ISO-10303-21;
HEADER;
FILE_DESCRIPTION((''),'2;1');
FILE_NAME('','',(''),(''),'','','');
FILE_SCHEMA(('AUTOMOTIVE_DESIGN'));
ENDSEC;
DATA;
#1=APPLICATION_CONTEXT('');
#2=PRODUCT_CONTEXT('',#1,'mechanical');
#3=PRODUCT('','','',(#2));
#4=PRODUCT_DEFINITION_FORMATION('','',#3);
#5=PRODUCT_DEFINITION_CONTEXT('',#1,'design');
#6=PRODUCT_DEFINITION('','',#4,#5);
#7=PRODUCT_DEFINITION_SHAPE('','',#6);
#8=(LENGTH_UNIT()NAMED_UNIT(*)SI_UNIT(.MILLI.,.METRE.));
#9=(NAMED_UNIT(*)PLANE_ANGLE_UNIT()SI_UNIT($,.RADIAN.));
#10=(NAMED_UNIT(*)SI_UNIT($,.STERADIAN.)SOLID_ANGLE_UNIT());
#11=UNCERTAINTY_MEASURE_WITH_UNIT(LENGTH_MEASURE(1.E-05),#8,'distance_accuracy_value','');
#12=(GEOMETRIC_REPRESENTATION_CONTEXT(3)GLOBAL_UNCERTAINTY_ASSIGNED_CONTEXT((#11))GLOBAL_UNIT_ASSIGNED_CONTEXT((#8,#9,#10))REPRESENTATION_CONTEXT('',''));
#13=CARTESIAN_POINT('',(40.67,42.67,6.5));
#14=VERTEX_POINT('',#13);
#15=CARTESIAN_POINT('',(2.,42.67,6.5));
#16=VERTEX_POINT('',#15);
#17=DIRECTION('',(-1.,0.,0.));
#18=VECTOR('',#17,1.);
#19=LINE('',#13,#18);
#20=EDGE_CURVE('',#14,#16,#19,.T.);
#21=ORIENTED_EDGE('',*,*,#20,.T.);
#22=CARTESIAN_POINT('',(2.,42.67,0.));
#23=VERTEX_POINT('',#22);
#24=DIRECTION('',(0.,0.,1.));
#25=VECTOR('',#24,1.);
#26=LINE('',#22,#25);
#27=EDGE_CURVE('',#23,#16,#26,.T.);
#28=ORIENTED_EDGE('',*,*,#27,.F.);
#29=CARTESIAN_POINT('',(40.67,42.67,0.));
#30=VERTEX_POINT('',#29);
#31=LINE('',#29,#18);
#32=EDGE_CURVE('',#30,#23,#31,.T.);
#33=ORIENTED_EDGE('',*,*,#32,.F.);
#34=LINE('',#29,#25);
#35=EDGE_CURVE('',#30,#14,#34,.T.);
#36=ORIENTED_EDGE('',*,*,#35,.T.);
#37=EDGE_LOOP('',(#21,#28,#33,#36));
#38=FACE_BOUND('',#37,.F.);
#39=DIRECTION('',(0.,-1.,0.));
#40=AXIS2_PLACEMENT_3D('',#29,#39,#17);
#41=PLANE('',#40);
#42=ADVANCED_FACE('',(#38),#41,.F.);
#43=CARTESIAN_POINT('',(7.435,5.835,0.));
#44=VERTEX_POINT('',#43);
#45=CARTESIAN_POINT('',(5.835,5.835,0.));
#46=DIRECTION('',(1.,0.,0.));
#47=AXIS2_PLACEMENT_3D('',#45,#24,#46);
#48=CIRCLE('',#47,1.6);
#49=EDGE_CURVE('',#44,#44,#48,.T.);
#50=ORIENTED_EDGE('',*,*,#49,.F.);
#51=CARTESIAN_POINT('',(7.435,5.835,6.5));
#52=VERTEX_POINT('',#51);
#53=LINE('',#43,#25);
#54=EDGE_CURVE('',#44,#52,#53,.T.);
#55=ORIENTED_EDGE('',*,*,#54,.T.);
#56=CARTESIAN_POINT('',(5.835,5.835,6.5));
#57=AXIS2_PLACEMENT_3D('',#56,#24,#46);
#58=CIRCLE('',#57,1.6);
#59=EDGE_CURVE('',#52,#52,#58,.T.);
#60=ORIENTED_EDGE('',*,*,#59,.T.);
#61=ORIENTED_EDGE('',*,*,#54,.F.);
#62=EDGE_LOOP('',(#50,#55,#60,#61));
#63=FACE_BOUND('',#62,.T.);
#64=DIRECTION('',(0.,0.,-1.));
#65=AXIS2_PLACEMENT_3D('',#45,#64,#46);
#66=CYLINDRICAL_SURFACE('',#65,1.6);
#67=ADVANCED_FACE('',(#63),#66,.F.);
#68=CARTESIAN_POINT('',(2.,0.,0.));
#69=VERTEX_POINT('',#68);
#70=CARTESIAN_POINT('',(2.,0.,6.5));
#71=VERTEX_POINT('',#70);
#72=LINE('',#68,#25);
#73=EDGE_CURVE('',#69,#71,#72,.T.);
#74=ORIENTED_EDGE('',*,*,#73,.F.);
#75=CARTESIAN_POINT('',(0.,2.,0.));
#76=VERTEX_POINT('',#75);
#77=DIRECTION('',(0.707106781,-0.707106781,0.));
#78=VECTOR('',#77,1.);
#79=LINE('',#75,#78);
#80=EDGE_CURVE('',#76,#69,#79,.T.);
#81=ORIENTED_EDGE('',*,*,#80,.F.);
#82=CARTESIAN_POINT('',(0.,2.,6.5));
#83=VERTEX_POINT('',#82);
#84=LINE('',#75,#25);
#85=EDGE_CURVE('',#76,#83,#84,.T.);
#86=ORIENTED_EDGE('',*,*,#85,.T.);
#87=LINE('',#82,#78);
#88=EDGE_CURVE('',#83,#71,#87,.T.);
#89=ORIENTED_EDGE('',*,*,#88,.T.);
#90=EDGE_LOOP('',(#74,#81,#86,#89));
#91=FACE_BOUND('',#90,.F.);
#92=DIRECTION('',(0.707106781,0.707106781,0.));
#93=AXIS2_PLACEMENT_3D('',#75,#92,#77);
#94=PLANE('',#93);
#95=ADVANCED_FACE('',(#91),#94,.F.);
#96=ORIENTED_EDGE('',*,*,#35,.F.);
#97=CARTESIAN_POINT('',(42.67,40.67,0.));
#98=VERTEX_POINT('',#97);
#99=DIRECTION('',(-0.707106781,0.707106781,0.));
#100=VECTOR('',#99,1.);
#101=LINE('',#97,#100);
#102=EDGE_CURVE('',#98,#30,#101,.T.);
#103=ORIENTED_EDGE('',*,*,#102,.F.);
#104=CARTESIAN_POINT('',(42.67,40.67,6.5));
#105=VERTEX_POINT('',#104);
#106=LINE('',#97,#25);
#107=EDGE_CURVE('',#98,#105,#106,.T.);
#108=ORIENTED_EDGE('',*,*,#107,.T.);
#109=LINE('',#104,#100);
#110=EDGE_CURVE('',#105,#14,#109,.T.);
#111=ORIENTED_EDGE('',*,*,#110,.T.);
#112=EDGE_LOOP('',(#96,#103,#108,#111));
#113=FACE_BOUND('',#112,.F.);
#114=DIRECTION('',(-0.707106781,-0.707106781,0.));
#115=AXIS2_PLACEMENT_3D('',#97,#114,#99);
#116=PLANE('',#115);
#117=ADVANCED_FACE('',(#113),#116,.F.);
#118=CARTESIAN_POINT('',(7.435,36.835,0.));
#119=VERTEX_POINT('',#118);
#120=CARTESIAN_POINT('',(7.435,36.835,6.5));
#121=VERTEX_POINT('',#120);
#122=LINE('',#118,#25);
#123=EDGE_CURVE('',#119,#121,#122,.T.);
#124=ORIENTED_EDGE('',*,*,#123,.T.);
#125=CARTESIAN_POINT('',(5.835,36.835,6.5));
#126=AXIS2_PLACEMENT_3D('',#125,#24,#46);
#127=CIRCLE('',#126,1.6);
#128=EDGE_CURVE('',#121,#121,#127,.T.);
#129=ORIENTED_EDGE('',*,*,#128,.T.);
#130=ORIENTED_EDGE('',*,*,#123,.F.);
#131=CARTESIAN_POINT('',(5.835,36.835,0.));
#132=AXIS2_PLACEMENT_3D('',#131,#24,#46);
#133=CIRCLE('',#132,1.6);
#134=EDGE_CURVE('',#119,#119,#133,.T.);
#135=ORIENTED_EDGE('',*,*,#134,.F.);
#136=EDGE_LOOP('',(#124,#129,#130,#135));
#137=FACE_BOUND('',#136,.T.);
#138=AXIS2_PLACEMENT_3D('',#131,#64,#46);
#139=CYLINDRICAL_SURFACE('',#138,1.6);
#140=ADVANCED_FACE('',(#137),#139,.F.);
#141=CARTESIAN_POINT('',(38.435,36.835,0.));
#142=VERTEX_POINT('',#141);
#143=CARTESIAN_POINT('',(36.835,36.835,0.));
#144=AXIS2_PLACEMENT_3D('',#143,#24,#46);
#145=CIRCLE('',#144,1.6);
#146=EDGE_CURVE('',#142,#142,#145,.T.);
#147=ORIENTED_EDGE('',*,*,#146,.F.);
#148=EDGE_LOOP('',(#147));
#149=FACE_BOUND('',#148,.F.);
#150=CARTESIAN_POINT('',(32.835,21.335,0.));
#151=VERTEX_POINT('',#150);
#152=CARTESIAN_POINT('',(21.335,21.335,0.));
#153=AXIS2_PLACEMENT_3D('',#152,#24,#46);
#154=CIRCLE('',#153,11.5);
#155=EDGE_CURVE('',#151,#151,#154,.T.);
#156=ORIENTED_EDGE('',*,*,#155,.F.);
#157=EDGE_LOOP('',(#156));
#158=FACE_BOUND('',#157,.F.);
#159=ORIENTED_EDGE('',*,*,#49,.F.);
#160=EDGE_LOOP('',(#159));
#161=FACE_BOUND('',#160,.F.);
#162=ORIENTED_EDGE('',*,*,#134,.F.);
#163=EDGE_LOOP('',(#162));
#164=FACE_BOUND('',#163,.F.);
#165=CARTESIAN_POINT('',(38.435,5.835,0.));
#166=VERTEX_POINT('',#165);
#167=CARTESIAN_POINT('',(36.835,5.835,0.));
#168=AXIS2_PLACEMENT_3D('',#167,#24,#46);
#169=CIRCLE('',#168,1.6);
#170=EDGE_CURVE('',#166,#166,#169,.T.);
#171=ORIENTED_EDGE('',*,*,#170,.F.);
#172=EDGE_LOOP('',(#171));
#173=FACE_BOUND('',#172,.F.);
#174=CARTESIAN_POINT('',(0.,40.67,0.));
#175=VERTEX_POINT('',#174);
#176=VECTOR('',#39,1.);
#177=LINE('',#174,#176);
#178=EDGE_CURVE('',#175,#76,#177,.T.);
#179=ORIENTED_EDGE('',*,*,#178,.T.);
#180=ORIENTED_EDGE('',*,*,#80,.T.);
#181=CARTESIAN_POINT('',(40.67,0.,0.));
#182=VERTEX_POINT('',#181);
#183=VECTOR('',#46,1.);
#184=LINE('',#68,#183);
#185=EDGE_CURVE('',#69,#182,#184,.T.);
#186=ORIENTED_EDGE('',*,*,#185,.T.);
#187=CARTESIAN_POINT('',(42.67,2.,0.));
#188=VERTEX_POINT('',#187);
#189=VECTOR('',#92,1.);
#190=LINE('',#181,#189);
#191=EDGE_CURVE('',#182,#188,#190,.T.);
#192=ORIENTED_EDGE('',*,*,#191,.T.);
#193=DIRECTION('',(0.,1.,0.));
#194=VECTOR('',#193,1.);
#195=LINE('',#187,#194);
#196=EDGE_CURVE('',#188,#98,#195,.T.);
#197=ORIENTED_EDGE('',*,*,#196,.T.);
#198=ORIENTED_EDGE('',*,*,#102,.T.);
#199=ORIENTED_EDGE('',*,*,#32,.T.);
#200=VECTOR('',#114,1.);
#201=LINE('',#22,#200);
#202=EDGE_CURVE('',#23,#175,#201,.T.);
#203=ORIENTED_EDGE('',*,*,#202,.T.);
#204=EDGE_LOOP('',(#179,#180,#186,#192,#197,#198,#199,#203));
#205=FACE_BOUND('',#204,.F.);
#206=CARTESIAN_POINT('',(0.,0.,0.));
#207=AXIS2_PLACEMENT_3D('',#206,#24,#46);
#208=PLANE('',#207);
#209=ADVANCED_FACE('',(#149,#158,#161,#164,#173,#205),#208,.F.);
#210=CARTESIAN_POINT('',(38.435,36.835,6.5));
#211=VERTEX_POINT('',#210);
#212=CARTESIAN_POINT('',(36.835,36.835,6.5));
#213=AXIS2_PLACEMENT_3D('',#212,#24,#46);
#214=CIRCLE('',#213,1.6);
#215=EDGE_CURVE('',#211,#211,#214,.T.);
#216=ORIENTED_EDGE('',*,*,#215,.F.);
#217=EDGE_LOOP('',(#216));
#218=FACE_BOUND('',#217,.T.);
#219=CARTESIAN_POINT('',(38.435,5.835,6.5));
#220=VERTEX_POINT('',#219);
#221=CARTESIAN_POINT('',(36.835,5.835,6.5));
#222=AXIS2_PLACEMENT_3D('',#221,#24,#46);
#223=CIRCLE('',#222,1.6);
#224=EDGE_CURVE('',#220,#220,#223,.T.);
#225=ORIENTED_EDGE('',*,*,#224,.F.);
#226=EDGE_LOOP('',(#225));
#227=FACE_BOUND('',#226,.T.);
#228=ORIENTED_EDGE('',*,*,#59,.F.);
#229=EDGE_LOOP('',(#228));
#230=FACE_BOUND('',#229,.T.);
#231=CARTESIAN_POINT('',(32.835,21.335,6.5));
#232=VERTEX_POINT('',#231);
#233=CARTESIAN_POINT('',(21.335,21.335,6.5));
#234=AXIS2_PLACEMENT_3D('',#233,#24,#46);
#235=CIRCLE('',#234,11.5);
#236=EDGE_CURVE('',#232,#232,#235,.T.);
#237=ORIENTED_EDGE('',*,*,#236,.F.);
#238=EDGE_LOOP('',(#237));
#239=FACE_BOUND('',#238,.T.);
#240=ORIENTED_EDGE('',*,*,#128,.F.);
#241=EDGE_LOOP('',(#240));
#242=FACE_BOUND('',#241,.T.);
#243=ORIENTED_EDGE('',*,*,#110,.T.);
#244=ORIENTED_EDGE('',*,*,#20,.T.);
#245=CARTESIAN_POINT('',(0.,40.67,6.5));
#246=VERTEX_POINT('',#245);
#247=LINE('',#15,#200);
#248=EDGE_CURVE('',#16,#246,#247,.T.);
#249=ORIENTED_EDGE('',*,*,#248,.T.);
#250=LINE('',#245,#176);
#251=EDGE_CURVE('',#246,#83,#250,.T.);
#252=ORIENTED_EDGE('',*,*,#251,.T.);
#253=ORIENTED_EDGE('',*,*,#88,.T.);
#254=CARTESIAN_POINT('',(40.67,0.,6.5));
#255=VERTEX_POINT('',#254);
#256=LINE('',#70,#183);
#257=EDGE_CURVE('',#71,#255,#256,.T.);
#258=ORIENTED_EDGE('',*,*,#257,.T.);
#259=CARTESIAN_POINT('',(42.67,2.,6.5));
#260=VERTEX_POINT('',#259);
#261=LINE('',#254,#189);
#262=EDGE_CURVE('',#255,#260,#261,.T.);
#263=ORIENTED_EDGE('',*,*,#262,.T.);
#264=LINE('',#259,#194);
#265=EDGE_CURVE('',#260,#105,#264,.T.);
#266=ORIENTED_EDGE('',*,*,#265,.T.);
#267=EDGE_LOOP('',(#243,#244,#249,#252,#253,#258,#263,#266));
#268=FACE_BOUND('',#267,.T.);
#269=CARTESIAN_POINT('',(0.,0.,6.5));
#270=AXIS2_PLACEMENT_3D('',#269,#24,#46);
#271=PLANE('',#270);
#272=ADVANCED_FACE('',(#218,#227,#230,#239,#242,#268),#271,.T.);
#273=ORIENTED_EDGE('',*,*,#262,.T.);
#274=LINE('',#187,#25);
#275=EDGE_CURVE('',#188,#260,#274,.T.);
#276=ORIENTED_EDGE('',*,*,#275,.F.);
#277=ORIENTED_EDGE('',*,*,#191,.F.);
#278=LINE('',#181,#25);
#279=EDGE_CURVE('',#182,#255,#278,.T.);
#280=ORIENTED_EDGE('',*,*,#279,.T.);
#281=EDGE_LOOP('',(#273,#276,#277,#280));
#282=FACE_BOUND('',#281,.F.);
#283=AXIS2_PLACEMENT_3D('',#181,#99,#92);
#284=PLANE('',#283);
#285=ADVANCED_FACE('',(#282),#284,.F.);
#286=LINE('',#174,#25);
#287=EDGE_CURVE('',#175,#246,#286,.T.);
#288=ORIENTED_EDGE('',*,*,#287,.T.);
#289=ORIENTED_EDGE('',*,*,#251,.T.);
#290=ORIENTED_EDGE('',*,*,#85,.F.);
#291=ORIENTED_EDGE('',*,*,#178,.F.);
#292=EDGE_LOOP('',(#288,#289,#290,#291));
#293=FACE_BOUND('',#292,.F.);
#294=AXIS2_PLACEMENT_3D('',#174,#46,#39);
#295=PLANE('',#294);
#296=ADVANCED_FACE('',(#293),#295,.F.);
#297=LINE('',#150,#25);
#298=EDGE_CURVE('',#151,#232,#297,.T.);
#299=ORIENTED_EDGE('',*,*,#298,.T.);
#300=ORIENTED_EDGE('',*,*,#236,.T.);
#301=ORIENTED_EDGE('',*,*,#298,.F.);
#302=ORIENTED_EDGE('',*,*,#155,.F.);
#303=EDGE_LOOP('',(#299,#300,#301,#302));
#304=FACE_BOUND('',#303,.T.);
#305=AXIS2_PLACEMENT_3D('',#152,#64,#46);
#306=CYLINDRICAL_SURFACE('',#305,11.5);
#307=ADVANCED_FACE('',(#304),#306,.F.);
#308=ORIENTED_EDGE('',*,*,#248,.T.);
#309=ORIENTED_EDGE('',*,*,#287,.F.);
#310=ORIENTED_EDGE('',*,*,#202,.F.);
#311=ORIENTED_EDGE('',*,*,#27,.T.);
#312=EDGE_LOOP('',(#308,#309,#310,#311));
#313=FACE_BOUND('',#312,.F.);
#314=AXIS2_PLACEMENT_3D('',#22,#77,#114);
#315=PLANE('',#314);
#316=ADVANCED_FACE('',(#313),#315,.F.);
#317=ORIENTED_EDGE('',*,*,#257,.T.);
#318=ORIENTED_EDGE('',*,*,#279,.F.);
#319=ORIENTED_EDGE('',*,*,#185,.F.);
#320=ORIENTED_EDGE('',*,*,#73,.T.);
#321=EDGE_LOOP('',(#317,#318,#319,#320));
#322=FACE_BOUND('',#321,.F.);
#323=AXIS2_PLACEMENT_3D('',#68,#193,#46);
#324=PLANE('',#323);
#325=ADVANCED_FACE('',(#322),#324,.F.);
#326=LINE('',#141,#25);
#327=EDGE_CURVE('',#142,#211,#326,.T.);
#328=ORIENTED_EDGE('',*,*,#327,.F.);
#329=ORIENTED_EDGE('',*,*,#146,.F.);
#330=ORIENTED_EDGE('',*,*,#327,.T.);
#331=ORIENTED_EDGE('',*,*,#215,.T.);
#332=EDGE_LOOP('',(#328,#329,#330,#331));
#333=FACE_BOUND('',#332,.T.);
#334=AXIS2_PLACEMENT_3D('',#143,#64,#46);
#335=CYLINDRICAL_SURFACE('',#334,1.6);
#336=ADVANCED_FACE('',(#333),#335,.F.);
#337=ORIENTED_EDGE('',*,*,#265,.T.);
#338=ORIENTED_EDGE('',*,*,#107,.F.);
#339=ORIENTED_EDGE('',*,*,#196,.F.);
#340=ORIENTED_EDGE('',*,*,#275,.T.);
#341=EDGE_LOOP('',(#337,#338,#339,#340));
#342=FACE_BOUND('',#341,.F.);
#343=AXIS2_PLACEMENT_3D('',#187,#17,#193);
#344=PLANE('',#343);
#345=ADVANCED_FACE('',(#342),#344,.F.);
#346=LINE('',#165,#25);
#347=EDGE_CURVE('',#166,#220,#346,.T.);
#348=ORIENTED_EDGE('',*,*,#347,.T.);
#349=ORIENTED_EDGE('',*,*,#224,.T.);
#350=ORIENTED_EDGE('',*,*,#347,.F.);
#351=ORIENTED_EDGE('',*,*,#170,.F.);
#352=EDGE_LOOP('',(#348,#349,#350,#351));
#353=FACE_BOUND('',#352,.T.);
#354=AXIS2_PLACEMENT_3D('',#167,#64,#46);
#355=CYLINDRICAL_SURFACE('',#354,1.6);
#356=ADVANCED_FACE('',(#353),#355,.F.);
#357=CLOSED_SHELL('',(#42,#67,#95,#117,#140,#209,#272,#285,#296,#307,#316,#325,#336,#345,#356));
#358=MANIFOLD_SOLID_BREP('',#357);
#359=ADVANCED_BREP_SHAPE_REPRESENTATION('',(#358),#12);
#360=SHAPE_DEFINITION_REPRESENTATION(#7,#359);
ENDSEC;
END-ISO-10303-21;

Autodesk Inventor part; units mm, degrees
ref_plane "YZ Plane" through (0, 0, 0) normal (1, 0, 0) x (0, 1, 0)
ref_plane "XZ Plane" through (0, 0, 0) normal (0, 1, 0) x (-1, 0, 0)
ref_plane "XY Plane" through (0, 0, 0) normal (0, 0, 1) x (1, 0, 0)
sketch "Sketch1" plane through (0, 0, 0) normal (0, 0, 1) x (1, 0, 0)
  line L0 (2, 0) -> (40.67, 0)
  line L1 (42.67, 2) -> (42.67, 40.67)
  line L2 (40.67, 42.67) -> (2, 42.67)
  line L3 (0, 40.67) -> (0, 2)
  line L4 (2, 42.67) -> (0, 40.67)
  line L5 (0, 2) -> (2, 0)
  line L6 (40.67, 0) -> (42.67, 2)
  line L7 (42.67, 40.67) -> (40.67, 42.67)
  circle A0 centre (21.335, 21.335) radius 11.5
  line L8 (5.835, 36.835) -> (36.835, 36.835) construction
  line L9 (36.835, 36.835) -> (36.835, 5.835) construction
  line L10 (36.835, 5.835) -> (5.835, 5.835) construction
  line L11 (5.835, 5.835) -> (5.835, 36.835) construction
  circle A1 centre (5.835, 36.835) radius 1.6
  circle A2 centre (36.835, 36.835) radius 1.6
  circle A3 centre (36.835, 5.835) radius 1.6
  circle A4 centre (5.835, 5.835) radius 1.6
  point P0 (0, 0)
  point P1 (42.67, 42.67)
  point P2 (42.67, 0)
  point P3 (0, 42.67)
  point P4 (42.67, 21.335)
  point P5 (21.335, 42.67)
  point P6 (21.335, 36.835)
  point P7 (36.835, 21.335)
  dimension "d0" = 2
  dimension "d1" = 2
  dimension "d2" = 2
  dimension "d3" = 2
  dimension "d4" = 2
  dimension "d5" = 2
  dimension "d6" = 2
  dimension "d7" = 2
  dimension "d8" = 42.67
  dimension "d9" = 42.67
  dimension "d10" = 23
  dimension "d11" = 31
  dimension "d12" = 31
  dimension "d13" = 3.2
  dimension "d14" = 3.2
  dimension "d15" = 3.2
  dimension "d16" = 3.2
extrude "Extrusion1" add sketch "Sketch1" along normal blind 6.5
equation "\"d1\" = d0"
equation "\"d2\" = d0"
equation "\"d3\" = d2"
equation "\"d4\" = d0"
equation "\"d5\" = d4"
equation "\"d6\" = d0"
equation "\"d7\" = d6"
properties part number "x_motor_spacer"
